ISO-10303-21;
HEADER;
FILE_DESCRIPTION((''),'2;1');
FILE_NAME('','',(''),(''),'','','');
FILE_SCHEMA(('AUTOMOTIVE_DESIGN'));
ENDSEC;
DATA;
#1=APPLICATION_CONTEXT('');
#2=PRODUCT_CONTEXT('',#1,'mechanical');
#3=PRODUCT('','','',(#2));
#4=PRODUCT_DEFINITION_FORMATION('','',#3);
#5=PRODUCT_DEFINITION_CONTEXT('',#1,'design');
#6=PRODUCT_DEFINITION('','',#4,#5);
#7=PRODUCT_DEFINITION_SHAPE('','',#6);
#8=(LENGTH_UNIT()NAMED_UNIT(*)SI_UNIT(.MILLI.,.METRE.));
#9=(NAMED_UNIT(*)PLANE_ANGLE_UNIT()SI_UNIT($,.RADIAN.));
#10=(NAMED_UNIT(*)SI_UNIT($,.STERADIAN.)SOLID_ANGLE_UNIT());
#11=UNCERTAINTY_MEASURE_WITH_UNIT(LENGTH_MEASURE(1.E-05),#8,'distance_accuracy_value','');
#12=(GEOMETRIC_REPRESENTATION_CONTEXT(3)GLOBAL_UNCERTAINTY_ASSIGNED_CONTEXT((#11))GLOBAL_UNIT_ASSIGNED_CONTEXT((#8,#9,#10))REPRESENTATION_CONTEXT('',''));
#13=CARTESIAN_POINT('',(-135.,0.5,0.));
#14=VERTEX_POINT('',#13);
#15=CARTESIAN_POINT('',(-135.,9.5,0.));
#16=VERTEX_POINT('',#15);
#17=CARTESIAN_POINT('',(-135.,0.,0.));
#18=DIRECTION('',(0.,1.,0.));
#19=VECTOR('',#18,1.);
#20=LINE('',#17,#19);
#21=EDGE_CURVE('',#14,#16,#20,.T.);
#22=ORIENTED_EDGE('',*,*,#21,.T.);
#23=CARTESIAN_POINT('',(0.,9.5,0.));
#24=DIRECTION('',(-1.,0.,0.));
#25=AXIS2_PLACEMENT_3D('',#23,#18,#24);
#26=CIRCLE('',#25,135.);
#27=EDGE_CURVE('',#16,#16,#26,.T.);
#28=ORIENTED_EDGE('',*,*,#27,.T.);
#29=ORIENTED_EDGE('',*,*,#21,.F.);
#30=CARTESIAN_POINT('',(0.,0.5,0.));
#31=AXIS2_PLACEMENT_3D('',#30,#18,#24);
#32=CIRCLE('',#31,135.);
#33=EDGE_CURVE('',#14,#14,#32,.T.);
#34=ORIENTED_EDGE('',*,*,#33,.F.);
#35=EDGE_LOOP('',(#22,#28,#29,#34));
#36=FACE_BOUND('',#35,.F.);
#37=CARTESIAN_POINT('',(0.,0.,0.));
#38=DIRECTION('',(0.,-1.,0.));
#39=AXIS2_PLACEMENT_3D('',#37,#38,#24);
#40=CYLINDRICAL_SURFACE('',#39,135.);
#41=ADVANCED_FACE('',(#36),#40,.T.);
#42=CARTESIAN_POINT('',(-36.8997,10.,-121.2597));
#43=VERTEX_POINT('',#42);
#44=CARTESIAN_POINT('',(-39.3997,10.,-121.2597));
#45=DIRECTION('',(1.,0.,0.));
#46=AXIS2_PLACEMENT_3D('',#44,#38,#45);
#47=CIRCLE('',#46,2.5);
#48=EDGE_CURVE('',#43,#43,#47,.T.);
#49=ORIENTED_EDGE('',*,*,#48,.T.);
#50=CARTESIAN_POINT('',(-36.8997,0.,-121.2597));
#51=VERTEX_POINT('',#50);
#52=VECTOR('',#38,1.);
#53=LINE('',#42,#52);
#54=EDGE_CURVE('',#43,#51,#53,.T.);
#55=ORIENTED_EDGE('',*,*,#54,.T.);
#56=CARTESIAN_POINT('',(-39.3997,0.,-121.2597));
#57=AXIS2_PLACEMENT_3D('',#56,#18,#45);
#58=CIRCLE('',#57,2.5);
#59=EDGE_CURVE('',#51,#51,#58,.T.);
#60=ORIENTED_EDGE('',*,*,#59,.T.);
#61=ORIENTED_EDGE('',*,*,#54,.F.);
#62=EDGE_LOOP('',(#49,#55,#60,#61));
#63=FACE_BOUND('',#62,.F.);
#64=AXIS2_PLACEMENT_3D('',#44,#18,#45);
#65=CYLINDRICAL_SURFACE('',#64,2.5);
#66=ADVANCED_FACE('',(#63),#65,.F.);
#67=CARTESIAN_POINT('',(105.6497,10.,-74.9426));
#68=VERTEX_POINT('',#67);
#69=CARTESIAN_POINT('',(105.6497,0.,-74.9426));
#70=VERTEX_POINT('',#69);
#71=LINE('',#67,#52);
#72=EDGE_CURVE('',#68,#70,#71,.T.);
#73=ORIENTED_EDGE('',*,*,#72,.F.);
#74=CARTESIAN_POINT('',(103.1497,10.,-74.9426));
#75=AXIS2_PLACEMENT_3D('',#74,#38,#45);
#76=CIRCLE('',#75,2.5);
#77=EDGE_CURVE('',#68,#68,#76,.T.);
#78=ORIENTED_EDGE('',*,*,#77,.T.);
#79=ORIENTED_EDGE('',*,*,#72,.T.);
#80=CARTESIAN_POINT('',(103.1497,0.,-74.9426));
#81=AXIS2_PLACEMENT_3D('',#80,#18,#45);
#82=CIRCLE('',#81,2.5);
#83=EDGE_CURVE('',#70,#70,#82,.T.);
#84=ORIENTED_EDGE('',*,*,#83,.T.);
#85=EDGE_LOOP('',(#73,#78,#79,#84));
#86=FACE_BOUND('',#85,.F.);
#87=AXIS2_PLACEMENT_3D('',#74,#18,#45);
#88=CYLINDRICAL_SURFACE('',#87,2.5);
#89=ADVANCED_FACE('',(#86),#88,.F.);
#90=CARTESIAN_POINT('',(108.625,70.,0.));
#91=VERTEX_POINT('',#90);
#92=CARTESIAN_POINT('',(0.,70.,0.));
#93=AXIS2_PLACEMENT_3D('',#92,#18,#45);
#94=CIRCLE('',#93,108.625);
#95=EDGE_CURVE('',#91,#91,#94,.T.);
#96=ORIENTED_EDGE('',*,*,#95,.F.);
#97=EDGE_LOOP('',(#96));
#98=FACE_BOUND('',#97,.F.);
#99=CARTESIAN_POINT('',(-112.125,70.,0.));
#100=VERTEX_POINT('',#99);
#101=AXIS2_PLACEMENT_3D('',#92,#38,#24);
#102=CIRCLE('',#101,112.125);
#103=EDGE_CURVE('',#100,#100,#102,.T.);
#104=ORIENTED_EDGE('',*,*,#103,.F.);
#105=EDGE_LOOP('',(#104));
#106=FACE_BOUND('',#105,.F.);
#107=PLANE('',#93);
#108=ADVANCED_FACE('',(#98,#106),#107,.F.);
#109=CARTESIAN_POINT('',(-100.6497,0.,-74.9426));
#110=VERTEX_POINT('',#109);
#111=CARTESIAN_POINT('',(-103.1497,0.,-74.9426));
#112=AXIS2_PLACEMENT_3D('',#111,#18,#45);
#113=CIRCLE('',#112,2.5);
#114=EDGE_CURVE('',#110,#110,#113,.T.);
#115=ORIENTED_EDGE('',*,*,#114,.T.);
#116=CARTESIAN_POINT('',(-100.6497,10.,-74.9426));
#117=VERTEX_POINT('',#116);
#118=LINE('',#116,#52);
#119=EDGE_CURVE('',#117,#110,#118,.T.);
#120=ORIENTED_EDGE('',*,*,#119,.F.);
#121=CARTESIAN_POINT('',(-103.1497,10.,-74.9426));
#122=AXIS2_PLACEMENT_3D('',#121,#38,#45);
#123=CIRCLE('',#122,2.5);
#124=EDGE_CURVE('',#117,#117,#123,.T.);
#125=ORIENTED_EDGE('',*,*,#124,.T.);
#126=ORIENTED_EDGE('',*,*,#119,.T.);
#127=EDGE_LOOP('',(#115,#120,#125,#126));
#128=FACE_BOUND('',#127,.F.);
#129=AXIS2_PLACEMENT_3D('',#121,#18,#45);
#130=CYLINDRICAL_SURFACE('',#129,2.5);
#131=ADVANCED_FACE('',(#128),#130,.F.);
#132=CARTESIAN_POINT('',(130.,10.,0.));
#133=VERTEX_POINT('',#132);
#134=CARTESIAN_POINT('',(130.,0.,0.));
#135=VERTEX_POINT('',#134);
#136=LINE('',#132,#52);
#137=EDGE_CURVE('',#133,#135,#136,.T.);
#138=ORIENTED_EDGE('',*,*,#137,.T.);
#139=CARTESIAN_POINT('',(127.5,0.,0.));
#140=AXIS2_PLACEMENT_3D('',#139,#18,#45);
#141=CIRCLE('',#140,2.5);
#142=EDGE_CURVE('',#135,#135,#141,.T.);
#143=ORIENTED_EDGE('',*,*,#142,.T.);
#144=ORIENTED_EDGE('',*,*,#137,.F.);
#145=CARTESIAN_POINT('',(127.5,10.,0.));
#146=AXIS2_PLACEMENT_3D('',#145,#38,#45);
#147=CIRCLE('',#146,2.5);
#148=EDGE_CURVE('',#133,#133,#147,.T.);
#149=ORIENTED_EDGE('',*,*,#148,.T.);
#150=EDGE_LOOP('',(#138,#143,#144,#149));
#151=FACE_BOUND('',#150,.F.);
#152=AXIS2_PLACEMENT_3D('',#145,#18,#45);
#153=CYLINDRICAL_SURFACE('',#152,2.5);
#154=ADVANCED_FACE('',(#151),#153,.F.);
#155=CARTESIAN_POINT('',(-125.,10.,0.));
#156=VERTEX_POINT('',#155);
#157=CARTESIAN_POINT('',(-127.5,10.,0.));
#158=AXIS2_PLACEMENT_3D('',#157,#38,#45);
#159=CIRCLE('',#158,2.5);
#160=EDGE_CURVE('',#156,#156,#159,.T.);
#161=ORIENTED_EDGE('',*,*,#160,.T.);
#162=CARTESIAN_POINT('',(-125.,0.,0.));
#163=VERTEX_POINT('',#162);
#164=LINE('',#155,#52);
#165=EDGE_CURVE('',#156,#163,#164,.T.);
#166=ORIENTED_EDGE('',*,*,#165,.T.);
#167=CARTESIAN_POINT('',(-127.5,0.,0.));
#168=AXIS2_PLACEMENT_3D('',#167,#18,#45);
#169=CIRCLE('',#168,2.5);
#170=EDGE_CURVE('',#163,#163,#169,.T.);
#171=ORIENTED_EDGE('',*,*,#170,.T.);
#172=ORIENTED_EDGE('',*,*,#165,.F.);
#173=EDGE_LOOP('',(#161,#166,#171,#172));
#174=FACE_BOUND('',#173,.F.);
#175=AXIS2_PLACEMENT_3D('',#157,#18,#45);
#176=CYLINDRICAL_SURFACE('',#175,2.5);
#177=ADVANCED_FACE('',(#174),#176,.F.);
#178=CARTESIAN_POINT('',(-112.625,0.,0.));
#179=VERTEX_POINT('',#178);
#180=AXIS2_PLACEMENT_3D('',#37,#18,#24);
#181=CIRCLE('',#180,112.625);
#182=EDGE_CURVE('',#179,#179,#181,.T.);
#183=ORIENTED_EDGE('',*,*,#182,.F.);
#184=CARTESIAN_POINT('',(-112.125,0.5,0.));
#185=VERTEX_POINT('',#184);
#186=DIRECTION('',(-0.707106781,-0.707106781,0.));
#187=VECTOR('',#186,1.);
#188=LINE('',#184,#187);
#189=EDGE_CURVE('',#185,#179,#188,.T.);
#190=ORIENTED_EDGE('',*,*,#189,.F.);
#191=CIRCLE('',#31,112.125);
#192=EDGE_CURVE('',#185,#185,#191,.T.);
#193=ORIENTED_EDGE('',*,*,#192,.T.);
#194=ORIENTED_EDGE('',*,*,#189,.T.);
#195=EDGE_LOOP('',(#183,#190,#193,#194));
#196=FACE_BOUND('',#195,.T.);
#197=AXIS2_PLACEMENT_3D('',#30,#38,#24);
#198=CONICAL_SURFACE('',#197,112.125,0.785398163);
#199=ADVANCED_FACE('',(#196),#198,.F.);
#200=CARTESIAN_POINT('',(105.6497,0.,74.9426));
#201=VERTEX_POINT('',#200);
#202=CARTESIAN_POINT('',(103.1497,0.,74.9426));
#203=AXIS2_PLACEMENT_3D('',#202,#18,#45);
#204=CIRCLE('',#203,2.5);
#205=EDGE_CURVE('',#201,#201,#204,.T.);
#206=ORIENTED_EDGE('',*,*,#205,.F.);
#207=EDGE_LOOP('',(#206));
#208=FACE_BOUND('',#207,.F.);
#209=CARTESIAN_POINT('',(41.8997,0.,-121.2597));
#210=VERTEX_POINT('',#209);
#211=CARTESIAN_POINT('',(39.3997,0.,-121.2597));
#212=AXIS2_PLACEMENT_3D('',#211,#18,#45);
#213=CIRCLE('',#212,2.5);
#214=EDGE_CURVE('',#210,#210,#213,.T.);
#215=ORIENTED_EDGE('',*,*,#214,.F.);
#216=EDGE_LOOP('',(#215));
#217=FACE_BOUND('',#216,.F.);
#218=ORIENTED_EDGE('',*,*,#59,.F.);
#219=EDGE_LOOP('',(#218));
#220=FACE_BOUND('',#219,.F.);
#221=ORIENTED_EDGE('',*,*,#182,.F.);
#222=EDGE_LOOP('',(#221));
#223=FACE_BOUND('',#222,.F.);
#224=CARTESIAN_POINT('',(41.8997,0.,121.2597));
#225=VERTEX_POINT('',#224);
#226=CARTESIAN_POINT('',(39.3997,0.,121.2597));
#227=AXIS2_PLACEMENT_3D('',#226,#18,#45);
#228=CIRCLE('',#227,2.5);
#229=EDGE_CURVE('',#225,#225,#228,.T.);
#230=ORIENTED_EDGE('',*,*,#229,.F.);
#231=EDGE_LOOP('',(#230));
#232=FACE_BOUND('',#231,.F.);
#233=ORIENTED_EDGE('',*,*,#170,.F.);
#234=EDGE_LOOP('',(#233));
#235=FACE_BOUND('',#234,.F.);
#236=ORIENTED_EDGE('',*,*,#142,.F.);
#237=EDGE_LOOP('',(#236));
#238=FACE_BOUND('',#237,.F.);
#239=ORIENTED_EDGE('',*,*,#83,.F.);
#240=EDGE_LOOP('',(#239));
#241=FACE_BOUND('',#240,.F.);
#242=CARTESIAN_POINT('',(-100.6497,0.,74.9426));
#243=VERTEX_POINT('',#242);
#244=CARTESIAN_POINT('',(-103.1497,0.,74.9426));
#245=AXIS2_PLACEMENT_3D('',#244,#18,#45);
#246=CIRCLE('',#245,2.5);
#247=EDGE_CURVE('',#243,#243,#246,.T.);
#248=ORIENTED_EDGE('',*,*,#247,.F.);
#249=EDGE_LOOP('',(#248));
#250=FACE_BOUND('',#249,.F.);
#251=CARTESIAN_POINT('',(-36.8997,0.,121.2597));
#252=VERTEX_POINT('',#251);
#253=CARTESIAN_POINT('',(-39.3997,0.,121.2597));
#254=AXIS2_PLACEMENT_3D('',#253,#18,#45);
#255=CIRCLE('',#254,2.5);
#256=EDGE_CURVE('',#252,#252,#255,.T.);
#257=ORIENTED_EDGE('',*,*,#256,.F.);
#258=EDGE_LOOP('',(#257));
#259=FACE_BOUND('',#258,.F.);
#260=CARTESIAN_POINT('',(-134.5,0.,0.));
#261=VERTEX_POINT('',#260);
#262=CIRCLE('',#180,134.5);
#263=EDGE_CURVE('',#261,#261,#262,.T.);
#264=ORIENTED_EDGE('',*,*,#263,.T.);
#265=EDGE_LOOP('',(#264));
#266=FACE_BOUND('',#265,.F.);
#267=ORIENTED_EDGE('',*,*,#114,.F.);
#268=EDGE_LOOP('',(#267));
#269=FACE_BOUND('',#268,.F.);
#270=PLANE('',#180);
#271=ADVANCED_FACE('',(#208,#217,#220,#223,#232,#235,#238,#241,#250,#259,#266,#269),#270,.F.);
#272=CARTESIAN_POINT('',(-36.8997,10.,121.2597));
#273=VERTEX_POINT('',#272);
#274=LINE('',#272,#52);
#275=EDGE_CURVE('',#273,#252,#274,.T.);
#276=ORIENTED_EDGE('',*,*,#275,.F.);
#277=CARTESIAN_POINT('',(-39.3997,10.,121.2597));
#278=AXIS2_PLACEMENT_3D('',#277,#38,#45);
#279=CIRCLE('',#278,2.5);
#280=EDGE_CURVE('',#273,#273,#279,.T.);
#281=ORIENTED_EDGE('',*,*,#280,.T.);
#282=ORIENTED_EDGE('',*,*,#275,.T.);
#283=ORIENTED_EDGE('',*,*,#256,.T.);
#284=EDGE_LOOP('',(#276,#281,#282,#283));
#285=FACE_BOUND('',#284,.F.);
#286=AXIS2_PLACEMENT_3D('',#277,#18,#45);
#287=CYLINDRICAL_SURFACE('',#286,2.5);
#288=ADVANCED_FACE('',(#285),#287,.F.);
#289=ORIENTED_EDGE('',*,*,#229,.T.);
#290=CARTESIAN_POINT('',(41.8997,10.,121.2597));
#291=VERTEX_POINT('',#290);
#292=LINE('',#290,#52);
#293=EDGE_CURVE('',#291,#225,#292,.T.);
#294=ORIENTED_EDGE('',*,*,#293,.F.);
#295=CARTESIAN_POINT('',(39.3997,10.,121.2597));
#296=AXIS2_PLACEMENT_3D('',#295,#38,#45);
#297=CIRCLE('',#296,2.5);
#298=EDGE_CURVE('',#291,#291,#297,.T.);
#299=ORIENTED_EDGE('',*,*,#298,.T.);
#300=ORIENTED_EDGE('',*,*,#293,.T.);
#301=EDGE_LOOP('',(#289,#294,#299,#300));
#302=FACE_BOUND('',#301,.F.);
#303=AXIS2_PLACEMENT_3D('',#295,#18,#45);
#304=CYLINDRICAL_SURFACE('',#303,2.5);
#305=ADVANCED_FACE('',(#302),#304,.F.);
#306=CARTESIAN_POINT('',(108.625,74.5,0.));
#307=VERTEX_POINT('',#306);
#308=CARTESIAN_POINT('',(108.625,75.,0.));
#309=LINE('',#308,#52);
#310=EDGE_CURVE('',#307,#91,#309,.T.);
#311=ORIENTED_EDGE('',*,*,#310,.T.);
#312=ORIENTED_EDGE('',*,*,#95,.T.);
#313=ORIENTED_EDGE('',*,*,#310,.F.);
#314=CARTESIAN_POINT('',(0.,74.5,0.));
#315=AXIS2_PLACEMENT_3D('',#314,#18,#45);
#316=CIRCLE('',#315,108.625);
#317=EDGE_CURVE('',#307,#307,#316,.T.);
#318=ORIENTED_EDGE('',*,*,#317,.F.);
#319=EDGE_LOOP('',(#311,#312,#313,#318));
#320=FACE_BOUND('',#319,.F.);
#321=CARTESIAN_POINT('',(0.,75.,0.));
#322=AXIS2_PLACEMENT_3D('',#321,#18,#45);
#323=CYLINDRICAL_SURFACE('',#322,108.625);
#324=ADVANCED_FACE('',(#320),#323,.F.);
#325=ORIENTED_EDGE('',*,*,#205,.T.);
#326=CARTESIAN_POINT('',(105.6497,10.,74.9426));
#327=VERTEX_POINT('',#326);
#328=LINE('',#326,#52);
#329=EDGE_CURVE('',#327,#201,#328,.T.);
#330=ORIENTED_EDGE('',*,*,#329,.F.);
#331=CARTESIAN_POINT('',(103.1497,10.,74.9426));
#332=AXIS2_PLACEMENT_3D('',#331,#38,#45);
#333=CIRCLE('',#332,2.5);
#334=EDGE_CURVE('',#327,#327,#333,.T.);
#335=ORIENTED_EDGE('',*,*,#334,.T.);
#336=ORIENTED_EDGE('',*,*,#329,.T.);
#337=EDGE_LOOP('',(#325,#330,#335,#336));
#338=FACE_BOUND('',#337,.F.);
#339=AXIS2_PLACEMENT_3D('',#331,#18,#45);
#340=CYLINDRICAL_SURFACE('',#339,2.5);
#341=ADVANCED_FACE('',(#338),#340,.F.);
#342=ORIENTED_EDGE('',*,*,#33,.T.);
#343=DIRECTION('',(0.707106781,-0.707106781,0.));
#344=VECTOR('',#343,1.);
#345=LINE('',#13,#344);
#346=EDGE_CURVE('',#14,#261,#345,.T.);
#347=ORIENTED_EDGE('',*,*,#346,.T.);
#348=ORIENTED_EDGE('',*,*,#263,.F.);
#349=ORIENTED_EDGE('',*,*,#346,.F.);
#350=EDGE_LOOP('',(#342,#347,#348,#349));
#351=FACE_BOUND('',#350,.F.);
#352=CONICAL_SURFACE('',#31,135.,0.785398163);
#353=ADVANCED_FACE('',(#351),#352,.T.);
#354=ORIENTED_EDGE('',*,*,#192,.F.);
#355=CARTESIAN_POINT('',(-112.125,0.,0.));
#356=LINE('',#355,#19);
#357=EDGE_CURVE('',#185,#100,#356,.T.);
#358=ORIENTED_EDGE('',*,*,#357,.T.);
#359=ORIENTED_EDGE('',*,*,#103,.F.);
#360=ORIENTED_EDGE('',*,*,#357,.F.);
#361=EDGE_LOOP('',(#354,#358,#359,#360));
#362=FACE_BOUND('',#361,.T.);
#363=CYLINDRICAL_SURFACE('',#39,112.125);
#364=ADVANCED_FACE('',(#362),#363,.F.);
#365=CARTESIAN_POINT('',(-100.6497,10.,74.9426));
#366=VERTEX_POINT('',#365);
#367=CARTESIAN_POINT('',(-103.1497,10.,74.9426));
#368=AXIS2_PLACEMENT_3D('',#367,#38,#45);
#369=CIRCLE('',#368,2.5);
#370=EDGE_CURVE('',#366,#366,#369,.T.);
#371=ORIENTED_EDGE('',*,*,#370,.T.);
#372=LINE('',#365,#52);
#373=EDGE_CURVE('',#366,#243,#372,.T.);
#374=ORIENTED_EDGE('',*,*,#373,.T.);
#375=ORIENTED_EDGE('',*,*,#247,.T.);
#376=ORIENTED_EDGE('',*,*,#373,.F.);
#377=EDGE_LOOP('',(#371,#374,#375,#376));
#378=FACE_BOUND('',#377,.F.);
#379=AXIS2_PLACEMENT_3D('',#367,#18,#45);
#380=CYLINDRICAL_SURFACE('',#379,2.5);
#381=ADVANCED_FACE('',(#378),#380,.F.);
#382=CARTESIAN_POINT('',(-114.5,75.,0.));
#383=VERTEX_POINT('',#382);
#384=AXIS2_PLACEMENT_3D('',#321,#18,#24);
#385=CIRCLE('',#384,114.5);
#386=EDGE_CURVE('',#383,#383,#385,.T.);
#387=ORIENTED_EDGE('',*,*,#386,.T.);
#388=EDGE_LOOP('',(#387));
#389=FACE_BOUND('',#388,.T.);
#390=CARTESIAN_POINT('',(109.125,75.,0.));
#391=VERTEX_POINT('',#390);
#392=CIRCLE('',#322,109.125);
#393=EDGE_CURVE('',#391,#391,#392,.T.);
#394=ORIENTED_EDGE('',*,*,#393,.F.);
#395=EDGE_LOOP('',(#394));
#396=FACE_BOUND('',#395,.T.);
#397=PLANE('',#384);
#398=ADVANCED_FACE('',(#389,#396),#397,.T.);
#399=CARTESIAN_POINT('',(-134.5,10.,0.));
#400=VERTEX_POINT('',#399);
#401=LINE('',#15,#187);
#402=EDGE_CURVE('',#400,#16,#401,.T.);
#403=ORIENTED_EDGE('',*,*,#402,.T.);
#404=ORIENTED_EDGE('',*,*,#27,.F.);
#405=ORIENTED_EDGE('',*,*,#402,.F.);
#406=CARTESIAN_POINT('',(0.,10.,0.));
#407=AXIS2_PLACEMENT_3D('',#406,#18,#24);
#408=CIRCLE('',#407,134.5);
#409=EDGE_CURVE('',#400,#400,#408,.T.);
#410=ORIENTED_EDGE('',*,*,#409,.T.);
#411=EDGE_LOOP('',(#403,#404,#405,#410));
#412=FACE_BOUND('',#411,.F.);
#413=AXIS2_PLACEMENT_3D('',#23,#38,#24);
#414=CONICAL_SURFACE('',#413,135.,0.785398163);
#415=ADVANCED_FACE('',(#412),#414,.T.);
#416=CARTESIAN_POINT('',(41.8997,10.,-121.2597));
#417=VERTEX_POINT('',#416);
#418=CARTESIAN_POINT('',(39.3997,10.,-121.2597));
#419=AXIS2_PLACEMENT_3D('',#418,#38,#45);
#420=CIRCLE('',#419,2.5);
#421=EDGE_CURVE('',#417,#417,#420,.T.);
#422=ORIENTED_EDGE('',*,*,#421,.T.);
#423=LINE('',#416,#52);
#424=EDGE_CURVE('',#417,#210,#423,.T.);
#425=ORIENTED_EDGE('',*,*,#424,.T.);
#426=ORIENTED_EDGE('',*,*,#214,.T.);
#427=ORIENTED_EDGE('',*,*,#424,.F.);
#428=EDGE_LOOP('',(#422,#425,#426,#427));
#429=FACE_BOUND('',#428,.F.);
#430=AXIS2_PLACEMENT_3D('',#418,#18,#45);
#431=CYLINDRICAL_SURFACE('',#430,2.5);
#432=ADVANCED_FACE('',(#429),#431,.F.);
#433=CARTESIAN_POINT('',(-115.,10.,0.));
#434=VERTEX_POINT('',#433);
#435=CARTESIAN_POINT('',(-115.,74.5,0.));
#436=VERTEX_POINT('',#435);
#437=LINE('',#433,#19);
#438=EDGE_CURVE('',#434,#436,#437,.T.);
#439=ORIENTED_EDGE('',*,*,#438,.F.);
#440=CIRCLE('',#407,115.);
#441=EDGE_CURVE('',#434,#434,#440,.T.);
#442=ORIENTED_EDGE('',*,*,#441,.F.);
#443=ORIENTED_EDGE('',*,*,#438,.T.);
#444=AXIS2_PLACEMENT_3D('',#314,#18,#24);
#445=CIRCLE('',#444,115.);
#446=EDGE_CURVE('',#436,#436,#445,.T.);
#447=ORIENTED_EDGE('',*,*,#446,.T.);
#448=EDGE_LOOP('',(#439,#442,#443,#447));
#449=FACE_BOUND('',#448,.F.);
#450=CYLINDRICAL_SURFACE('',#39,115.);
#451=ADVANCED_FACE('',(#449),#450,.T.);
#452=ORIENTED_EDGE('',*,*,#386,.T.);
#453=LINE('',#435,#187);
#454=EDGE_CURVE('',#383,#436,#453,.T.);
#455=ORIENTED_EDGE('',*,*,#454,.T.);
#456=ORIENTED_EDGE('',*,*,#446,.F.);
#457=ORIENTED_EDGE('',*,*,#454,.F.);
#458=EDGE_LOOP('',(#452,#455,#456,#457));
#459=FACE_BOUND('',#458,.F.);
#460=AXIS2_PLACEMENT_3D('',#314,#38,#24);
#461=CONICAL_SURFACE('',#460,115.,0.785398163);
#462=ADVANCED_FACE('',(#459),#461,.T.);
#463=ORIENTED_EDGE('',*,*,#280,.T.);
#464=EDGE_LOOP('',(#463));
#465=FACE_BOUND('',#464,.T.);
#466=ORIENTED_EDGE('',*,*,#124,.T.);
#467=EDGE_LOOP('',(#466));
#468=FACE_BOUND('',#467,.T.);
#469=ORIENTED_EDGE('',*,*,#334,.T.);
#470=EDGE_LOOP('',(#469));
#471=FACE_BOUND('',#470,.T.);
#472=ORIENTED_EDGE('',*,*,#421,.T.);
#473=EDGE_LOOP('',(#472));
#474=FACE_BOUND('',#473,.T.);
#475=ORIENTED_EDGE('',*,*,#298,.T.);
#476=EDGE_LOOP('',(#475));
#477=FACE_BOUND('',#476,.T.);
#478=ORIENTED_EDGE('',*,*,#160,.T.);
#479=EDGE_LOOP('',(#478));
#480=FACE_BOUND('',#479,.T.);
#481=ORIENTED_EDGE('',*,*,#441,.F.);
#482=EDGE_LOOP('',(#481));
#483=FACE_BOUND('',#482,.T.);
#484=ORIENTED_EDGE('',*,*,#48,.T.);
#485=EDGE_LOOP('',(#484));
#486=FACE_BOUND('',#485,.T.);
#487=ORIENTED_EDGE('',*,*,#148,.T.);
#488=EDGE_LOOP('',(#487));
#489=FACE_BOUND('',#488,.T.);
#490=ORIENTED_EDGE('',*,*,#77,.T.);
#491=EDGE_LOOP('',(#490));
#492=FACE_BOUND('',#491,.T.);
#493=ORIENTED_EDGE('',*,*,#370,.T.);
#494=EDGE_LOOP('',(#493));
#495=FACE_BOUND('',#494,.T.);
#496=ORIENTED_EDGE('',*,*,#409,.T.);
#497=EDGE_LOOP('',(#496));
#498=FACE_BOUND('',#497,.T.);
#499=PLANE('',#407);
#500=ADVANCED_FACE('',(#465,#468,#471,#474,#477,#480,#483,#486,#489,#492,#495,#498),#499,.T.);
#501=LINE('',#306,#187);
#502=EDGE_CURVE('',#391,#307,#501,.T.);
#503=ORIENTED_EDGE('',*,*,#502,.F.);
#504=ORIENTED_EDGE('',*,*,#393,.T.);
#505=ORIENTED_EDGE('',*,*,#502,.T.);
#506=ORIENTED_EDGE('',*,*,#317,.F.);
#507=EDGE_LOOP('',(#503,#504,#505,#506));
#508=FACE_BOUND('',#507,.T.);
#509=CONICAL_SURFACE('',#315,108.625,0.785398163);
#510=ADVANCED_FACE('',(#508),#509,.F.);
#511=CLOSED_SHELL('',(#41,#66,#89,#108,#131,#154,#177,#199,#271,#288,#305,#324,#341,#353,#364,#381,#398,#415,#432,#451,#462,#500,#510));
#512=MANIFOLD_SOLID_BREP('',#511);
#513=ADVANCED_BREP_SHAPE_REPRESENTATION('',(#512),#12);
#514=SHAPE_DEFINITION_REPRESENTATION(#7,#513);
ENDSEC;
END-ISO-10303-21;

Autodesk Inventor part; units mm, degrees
ref_plane "YZ Plane" through (0, 0, 0) normal (1, 0, 0) x (0, 1, 0)
ref_plane "XZ Plane" through (0, 0, 0) normal (0, 1, 0) x (-1, 0, 0)
ref_plane "XY Plane" through (0, 0, 0) normal (0, 0, 1) x (1, 0, 0)
sketch "Sketch1" plane through (0, 0, 0) normal (0, 1, 0) x (-1, 0, 0)
  circle A0 centre (0, 0) radius 135
  circle A1 centre (0, 0) radius 115
  circle A2 centre (0, 0) radius 112.125
  circle A3 centre (0, 0) radius 9.5
  dimension "Absolute_Diameter" = 270
  dimension "Diameter_No_Outer_Lip" = 230
  dimension "Inner_Cylinder_Diameter" = 224.25
  dimension "Lip_Diameter" = 19
extrude "Extrusion1" add sketch "Sketch1" along normal blind 10 contours A0
extrude "Extrusion2" add sketch "Sketch1" along normal blind 75 contours A1
sketch "Sketch2" plane through (0, 75, 0) normal (0, 1, 0) x (1, 0, 0)
  circle A0 centre (0, 0) radius 115
  circle A1 centre (0, 0) radius 108.625
  dimension "Lip_Diameter_Out" = 230
  dimension "Inner_Lip_Diameter" = 217.25
extrude "Extrusion7" add sketch "Sketch2" against normal blind 5
chamfer "Chamfer1" distance 0.5 angle 45 2 edges at (115, 75, 0) (-108.625, 75, 0)
chamfer "Chamfer2" distance 0.5 angle 45 3 edges at (135, 10, 0) (135, 0, 0) (112.125, 0, 0)
sketch "Sketch3" plane through (0, 10, 0) normal (0, 1, 0) x (1, 0, 0)
  circle A0 centre (0, 0) radius 127.5
  circle A1 centre (-127.5, 0) radius 2.5
  circle A2 centre (-103.1497, -74.9426) radius 2.5
  circle A3 centre (-39.3997, -121.2597) radius 2.5
  circle A4 centre (39.3997, -121.2597) radius 2.5
  circle A5 centre (103.1497, -74.9426) radius 2.5
  circle A6 centre (127.5, 0) radius 2.5
  circle A7 centre (103.1497, 74.9426) radius 2.5
  circle A8 centre (39.3997, 121.2597) radius 2.5
  circle A9 centre (-39.3997, 121.2597) radius 2.5
  circle A10 centre (-103.1497, 74.9426) radius 2.5
  dimension "d27" = 255
  dimension "d28" = 5
  dimension "d31" = 360
extrude "Extrusion8" cut sketch "Sketch3" against normal blind 10 contours A0 A6 | A0 A6 | A7 A0 | A0 A7 | A5 A0 | A0 A5 | A8 A0 | A0 A8 | A4 A0 | A0 A4 | A9 A0 | A0 A9 | A3 A0 | A0 A3 | A10 A0 | A0 A10 | A2 A0 | A0 A2 | A1 A0 | A0 A1
sketch "Sketch4" plane through (0, 75, 0) normal (0, 1, 0) x (1, 0, 0)
  circle A0 centre (0, 0) radius 42.5
  circle A1 centre (0, 0) radius 37.5
  circle A2 centre (0, 0) radius 40
  circle A3 centre (-40, 0) radius 1
  circle A4 centre (-24.9396, -31.2733) radius 1
  circle A5 centre (8.9008, -38.9971) radius 1
  circle A6 centre (36.0388, -17.3553) radius 1
  circle A7 centre (36.0388, 17.3553) radius 1
  circle A8 centre (8.9008, 38.9971) radius 1
  circle A9 centre (-24.9396, 31.2733) radius 1
  dimension "d35" = 80
  dimension "d36" = 2
  dimension "d39" = 360
hole "Hole1" [suppressed]
properties part number "Cylinder  Segment - 01"
